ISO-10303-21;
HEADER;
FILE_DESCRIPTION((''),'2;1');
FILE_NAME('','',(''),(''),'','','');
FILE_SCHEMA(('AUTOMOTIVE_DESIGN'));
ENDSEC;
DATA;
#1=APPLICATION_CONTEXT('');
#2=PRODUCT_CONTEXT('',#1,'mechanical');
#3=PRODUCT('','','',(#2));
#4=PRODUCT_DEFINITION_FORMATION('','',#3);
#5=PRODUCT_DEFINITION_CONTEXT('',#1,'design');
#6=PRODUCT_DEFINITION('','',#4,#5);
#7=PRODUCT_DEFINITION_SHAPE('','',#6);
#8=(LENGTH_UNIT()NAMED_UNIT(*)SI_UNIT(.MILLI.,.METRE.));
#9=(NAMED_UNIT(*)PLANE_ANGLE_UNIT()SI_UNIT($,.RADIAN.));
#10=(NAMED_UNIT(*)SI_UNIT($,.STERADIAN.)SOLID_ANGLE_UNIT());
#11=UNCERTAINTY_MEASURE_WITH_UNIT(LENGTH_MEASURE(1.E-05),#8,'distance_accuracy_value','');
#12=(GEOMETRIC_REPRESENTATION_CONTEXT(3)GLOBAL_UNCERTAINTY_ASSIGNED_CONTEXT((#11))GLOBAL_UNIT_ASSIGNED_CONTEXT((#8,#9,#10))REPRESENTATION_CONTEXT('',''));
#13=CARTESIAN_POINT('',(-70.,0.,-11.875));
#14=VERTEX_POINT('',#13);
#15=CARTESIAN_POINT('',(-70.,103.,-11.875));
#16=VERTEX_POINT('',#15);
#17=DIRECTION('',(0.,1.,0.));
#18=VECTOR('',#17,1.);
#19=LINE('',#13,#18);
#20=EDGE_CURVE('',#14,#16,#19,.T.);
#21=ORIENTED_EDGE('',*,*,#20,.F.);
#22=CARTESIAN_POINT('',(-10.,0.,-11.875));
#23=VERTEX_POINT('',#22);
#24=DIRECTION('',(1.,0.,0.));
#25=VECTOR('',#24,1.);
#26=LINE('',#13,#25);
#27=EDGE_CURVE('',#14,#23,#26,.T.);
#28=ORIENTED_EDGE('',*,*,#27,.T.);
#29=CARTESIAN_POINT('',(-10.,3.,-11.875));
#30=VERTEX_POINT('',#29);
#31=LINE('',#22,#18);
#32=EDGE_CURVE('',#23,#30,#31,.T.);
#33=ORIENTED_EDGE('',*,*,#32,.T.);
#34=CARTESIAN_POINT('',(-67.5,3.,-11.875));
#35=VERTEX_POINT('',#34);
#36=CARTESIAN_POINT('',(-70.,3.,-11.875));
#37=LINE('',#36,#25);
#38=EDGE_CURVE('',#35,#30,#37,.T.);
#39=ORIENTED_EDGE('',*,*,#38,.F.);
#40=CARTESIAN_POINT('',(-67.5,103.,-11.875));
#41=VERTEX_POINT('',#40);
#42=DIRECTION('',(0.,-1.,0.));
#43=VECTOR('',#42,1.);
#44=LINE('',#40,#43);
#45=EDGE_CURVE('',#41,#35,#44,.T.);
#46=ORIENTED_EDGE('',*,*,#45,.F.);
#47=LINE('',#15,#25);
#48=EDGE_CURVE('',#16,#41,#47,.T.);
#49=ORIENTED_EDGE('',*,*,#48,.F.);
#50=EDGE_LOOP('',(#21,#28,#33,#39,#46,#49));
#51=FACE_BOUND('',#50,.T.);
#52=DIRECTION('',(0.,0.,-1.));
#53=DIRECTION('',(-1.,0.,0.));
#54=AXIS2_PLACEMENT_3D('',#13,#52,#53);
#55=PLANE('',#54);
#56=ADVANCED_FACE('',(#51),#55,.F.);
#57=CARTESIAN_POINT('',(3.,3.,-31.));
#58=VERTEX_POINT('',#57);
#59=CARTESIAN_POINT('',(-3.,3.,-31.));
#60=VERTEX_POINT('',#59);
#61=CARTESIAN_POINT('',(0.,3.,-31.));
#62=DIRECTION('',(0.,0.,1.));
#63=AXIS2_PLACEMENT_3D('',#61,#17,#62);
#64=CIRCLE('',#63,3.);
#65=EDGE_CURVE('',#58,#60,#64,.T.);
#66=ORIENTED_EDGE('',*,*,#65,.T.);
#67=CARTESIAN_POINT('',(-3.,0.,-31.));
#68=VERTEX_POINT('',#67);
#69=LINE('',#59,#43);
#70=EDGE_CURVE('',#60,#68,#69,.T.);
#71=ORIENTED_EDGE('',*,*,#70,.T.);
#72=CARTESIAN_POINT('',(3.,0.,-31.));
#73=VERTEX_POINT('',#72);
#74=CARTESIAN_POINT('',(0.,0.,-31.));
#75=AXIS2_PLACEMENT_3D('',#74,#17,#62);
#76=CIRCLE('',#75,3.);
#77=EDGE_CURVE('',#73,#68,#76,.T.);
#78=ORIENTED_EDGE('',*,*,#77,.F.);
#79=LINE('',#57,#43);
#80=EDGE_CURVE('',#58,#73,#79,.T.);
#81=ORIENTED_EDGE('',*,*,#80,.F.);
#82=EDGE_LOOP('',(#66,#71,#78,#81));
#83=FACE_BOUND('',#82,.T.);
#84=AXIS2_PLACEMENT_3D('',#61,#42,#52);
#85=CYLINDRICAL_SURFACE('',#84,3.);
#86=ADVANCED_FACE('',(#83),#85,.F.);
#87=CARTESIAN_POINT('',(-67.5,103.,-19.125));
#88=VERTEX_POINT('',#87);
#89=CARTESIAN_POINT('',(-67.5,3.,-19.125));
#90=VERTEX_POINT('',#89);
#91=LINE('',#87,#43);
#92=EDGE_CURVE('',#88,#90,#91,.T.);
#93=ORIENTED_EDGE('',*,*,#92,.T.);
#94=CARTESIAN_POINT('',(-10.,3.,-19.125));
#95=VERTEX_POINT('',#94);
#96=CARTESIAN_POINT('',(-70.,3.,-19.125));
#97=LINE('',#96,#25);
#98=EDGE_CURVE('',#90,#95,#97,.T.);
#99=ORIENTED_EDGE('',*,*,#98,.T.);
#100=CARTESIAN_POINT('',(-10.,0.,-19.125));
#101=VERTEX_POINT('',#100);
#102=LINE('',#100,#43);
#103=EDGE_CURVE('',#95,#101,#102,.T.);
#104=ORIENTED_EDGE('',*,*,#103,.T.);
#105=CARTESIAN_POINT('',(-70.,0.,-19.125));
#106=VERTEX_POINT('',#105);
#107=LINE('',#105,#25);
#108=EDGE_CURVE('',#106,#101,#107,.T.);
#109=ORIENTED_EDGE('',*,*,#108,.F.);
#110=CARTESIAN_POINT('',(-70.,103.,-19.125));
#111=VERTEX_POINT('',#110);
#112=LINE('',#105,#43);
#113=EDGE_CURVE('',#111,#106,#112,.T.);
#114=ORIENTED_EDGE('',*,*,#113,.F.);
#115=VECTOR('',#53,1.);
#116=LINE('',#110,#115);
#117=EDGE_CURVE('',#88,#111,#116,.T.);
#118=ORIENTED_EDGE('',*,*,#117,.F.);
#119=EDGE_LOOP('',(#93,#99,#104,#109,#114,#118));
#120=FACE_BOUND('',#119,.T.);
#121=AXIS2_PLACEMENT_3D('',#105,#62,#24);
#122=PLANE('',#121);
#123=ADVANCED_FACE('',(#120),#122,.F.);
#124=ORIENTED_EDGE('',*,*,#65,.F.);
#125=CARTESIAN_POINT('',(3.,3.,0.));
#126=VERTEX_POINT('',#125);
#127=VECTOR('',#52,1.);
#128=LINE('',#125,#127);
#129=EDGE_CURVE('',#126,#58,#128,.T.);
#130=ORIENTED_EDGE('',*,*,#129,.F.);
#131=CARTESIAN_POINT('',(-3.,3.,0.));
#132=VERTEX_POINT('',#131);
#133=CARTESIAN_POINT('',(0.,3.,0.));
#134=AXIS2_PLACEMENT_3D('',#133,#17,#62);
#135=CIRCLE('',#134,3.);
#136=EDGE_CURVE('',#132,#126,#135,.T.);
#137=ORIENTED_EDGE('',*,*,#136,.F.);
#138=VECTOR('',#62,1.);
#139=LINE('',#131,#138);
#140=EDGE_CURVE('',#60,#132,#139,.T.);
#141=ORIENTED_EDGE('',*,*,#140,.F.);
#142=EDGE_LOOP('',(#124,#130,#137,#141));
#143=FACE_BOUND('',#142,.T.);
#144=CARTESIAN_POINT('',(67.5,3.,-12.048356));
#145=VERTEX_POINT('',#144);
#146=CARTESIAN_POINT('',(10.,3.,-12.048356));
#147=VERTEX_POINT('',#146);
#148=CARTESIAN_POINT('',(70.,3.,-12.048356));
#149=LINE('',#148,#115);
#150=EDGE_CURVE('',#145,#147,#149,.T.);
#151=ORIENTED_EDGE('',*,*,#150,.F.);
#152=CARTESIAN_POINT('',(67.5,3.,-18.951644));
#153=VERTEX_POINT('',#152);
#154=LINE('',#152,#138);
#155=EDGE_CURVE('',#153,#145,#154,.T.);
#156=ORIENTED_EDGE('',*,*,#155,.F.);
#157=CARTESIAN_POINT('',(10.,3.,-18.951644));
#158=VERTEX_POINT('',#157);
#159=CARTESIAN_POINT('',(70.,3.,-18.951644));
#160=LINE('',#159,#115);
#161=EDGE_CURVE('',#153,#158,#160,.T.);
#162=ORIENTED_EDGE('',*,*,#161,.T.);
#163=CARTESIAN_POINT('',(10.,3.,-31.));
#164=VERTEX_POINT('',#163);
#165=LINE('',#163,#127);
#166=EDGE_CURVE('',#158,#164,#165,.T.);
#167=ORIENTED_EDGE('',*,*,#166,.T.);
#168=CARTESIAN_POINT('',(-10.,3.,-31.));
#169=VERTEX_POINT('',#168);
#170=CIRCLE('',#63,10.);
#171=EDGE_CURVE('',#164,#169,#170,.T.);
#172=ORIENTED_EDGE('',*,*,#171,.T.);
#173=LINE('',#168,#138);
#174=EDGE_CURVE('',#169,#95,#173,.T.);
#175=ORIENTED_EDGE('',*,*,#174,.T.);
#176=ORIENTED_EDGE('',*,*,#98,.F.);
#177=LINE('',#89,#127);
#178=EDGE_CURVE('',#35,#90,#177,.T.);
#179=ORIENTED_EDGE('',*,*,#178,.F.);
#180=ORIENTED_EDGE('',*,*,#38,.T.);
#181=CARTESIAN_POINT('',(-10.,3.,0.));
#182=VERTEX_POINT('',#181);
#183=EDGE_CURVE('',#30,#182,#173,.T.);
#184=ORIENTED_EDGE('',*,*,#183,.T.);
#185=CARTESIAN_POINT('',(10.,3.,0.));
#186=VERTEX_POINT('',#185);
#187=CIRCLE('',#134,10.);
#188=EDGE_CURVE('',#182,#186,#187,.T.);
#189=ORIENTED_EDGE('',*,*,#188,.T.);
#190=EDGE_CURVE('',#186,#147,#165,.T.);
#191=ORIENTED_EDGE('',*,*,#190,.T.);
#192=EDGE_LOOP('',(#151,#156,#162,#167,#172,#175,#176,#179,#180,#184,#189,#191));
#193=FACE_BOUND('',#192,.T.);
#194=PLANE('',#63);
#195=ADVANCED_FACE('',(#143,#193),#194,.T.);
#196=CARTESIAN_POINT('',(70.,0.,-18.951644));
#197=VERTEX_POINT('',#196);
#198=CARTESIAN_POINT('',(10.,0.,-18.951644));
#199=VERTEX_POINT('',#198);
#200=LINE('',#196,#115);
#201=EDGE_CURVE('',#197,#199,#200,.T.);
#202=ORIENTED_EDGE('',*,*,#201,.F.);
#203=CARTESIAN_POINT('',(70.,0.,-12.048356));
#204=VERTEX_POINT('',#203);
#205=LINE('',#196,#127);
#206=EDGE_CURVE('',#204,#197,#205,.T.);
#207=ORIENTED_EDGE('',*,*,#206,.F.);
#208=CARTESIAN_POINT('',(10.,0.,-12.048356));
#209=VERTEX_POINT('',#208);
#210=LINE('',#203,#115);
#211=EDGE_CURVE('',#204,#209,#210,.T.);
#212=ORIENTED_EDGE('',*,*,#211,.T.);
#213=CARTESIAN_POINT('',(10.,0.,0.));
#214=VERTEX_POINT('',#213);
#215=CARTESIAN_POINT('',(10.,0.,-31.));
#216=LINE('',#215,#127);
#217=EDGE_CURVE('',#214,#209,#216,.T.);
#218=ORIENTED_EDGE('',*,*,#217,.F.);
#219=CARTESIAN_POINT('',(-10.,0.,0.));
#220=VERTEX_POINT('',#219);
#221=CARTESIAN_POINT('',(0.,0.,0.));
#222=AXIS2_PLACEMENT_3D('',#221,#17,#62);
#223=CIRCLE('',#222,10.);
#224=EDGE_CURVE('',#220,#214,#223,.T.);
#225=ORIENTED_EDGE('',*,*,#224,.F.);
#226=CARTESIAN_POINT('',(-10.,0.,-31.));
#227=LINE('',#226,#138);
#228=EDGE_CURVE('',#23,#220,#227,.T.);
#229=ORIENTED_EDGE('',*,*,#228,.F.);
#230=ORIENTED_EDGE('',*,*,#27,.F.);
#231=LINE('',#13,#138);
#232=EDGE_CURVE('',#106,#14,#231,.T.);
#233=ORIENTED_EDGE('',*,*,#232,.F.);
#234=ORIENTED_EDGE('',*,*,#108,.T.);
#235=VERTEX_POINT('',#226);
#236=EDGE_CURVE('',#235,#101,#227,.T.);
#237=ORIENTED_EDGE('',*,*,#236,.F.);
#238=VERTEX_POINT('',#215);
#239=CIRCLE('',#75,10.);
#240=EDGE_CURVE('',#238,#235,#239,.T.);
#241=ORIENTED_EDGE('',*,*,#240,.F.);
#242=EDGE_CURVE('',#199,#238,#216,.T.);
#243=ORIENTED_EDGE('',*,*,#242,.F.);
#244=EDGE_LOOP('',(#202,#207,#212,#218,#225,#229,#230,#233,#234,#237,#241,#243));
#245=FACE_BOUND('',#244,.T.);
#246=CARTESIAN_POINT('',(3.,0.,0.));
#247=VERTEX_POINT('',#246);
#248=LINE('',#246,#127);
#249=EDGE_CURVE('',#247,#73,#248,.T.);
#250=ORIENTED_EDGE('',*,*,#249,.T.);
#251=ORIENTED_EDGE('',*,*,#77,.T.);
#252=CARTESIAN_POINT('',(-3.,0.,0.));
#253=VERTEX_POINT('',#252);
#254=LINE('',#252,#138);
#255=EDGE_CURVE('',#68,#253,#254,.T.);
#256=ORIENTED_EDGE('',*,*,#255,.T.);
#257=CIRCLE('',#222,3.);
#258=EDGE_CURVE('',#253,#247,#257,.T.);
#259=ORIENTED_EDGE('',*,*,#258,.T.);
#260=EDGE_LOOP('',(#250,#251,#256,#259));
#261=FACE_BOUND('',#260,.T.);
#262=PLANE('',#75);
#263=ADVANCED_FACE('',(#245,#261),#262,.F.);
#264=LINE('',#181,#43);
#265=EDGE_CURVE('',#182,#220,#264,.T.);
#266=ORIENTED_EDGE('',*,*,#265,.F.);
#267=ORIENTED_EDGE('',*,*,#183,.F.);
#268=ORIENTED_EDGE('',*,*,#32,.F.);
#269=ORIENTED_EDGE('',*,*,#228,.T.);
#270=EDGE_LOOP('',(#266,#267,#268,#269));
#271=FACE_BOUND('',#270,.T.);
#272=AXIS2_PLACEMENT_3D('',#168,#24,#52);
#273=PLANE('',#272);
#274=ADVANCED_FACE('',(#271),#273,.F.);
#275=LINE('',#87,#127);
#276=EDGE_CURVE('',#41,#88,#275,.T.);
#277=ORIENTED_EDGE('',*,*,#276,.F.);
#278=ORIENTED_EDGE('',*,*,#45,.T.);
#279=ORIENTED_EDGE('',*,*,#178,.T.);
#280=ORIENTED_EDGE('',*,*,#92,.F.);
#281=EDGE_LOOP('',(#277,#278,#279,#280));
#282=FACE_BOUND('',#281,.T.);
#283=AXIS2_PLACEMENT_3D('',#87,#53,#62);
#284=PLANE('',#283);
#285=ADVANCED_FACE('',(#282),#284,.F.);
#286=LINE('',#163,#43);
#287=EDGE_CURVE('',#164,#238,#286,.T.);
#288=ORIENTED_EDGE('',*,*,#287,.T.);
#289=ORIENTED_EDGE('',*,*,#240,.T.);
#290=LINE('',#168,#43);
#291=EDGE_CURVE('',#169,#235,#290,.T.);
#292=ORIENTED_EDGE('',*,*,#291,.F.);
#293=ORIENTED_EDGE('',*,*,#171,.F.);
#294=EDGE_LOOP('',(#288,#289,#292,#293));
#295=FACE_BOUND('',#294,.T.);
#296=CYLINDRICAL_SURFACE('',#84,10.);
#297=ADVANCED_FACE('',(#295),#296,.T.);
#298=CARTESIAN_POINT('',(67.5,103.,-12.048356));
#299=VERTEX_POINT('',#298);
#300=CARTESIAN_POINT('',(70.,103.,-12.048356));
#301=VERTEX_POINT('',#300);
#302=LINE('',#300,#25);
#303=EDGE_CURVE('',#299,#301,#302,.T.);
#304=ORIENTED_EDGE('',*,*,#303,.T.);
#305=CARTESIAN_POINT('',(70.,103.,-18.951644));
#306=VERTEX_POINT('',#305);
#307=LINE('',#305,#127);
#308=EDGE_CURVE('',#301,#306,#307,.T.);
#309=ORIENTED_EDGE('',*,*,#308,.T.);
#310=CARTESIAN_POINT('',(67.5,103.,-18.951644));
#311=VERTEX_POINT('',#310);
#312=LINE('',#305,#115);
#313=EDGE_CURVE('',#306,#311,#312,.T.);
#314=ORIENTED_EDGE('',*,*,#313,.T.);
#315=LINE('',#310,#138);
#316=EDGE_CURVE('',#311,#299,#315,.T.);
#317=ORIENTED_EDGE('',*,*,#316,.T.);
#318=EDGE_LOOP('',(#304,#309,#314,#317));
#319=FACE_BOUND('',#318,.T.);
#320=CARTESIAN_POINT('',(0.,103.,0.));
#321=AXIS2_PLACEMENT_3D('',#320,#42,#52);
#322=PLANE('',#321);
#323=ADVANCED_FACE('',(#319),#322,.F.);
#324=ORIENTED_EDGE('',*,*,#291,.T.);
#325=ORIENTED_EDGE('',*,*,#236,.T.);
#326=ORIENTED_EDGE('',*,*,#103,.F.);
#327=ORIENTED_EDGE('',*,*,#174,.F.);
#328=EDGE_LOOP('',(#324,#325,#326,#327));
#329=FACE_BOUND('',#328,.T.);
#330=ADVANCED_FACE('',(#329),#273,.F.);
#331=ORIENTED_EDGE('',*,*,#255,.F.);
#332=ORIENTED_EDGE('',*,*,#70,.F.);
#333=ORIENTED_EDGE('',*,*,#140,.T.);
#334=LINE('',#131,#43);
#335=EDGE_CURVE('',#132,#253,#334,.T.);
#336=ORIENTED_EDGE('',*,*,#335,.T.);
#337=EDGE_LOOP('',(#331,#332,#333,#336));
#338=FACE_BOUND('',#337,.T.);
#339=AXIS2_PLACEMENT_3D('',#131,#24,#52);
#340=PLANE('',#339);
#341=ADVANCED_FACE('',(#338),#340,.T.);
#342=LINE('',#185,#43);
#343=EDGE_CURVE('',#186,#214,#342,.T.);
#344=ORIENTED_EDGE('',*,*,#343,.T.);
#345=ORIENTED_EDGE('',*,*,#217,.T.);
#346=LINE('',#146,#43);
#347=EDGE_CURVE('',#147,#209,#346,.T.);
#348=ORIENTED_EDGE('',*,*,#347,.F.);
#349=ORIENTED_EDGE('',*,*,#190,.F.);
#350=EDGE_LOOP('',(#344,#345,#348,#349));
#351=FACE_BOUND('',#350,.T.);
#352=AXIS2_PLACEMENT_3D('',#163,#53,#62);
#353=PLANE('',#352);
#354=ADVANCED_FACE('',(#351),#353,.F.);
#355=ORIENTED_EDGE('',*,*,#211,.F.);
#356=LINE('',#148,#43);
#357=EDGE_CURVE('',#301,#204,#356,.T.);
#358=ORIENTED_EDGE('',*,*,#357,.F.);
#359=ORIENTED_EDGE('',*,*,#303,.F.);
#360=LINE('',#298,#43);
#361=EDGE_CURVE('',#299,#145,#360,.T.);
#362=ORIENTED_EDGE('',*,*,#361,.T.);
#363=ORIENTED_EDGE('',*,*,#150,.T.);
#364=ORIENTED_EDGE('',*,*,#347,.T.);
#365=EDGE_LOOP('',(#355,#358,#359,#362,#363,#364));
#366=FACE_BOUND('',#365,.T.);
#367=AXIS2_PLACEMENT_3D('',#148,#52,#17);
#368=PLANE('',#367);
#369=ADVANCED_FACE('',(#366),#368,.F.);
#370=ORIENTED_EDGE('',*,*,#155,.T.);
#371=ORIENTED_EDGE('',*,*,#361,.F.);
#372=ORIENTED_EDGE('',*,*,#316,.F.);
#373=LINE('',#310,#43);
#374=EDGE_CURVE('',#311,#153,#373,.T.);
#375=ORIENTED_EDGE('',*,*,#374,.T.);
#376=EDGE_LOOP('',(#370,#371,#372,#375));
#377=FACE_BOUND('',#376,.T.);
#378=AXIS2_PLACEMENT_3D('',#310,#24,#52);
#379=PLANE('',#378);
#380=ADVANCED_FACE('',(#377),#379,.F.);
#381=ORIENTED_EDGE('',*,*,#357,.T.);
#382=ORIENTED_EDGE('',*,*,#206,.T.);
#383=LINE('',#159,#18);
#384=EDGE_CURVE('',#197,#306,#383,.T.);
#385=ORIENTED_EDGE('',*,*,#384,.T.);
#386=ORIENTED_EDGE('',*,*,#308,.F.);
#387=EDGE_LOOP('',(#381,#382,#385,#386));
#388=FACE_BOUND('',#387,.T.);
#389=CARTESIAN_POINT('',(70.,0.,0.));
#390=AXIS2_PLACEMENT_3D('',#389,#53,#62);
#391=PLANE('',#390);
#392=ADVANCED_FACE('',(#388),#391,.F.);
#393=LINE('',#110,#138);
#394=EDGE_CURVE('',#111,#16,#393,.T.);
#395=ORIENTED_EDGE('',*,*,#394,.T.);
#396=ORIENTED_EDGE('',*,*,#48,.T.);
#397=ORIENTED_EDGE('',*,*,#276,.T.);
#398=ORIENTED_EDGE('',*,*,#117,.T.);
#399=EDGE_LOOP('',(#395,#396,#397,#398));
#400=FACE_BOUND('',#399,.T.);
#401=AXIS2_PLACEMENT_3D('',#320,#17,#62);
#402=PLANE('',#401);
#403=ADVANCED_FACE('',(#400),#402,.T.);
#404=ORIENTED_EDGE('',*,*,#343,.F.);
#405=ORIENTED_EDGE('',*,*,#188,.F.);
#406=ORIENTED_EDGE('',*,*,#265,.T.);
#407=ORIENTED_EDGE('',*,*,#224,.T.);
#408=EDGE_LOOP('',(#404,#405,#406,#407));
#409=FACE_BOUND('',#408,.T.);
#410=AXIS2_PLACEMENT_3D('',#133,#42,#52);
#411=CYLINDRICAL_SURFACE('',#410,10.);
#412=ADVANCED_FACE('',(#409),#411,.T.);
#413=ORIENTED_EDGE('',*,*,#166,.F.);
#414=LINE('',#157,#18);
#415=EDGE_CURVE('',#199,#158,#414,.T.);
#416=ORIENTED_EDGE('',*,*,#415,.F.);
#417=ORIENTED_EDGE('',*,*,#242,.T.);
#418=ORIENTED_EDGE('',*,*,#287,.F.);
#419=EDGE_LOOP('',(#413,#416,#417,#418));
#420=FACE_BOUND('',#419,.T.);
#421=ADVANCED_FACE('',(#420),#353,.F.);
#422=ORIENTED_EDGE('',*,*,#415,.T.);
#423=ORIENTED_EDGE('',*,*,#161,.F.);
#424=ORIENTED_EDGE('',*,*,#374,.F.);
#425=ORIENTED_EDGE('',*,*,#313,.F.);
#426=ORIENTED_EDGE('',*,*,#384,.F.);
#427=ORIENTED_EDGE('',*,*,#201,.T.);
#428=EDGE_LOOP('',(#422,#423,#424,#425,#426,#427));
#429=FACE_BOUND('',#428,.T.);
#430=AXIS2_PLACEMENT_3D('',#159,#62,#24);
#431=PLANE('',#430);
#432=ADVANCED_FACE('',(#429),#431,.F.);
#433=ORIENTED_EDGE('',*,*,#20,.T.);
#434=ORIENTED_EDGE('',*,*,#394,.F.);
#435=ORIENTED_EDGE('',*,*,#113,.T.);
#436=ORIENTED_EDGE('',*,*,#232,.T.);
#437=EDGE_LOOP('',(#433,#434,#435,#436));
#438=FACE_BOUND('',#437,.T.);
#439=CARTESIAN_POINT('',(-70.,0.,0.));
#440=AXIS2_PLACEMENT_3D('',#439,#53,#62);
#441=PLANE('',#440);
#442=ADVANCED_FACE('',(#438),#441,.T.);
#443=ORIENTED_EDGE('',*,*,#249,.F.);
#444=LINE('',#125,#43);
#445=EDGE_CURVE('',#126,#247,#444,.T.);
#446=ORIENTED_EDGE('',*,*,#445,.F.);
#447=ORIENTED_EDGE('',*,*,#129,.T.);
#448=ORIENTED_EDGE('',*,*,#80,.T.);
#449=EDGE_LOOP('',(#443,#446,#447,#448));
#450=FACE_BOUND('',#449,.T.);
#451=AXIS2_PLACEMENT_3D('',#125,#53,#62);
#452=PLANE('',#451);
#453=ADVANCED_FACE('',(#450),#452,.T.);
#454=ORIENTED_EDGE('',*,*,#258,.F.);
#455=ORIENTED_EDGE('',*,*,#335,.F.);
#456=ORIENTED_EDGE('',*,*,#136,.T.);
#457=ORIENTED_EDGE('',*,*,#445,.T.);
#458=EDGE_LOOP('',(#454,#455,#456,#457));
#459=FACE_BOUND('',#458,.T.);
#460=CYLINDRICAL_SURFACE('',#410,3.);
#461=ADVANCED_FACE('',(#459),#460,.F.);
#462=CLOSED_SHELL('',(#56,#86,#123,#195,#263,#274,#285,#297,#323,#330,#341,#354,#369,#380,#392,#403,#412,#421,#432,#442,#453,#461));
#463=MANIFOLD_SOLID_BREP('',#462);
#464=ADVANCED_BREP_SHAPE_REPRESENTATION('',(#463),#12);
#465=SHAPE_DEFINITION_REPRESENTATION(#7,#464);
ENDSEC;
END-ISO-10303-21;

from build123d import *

# Parameters (mm, degrees)
BOSS_EXTRUDE1_DEPTH = 3
SKETCH2_W           = 6.903287468
SKETCH2_H           = 3
BOSS_EXTRUDE2_DEPTH = 60
SKETCH3_W           = 7.25
SKETCH3_H           = 3
BOSS_EXTRUDE3_DEPTH = 60
SKETCH4_W           = 2.5
SKETCH4_H           = 6.903287468
SKETCH4_H_2         = 7.25
BOSS_EXTRUDE4_DEPTH = 100


with BuildPart() as part:
    # Sketch1 → Boss-Extrude1 (new body)
    with BuildSketch(Plane(origin=(0, 0, 0), x_dir=(1, 0, 0), z_dir=(0, 1, 0))):
        with BuildLine():
            Line((10, 31), (10, 0))
            ThreePointArc((10, 0), (0, -10), (-10, 0))
            Line((-10, 0), (-10, 31))
            ThreePointArc((-10, 31), (0, 41), (10, 31))
        make_face()
        with BuildLine():
            Line((-3, 0), (-3, 31))
            ThreePointArc((-3, 31), (0, 34), (3, 31))
            Line((3, 31), (3, 0))
            ThreePointArc((3, 0), (0, -3), (-3, 0))
        make_face(mode=Mode.SUBTRACT)
    extrude(amount=BOSS_EXTRUDE1_DEPTH)

    # Sketch2 → Boss-Extrude2 (add)
    with BuildSketch(Plane(origin=(10, 0, 0), x_dir=(0, 0, -1), z_dir=(1, 0, 0))):
        with Locations((15.5, 1.5)):
            Rectangle(SKETCH2_W, SKETCH2_H)
    extrude(amount=BOSS_EXTRUDE2_DEPTH)

    # Sketch3 → Boss-Extrude3 (add)
    with BuildSketch(Plane.ZY.offset(10)):
        with Locations((-15.5, 1.5)):
            Rectangle(SKETCH3_W, SKETCH3_H)
    extrude(amount=BOSS_EXTRUDE3_DEPTH)

    # Sketch4 → Boss-Extrude4 (add)
    with BuildSketch(Plane(origin=(0, 3, 0), x_dir=(1, 0, 0), z_dir=(0, 1, 0))):
        with Locations((68.75, 15.5)):
            Rectangle(SKETCH4_W, SKETCH4_H)
        with Locations((-68.75, 15.5)):
            Rectangle(SKETCH4_W, SKETCH4_H_2)
    extrude(amount=BOSS_EXTRUDE4_DEPTH)


solid = part.part
